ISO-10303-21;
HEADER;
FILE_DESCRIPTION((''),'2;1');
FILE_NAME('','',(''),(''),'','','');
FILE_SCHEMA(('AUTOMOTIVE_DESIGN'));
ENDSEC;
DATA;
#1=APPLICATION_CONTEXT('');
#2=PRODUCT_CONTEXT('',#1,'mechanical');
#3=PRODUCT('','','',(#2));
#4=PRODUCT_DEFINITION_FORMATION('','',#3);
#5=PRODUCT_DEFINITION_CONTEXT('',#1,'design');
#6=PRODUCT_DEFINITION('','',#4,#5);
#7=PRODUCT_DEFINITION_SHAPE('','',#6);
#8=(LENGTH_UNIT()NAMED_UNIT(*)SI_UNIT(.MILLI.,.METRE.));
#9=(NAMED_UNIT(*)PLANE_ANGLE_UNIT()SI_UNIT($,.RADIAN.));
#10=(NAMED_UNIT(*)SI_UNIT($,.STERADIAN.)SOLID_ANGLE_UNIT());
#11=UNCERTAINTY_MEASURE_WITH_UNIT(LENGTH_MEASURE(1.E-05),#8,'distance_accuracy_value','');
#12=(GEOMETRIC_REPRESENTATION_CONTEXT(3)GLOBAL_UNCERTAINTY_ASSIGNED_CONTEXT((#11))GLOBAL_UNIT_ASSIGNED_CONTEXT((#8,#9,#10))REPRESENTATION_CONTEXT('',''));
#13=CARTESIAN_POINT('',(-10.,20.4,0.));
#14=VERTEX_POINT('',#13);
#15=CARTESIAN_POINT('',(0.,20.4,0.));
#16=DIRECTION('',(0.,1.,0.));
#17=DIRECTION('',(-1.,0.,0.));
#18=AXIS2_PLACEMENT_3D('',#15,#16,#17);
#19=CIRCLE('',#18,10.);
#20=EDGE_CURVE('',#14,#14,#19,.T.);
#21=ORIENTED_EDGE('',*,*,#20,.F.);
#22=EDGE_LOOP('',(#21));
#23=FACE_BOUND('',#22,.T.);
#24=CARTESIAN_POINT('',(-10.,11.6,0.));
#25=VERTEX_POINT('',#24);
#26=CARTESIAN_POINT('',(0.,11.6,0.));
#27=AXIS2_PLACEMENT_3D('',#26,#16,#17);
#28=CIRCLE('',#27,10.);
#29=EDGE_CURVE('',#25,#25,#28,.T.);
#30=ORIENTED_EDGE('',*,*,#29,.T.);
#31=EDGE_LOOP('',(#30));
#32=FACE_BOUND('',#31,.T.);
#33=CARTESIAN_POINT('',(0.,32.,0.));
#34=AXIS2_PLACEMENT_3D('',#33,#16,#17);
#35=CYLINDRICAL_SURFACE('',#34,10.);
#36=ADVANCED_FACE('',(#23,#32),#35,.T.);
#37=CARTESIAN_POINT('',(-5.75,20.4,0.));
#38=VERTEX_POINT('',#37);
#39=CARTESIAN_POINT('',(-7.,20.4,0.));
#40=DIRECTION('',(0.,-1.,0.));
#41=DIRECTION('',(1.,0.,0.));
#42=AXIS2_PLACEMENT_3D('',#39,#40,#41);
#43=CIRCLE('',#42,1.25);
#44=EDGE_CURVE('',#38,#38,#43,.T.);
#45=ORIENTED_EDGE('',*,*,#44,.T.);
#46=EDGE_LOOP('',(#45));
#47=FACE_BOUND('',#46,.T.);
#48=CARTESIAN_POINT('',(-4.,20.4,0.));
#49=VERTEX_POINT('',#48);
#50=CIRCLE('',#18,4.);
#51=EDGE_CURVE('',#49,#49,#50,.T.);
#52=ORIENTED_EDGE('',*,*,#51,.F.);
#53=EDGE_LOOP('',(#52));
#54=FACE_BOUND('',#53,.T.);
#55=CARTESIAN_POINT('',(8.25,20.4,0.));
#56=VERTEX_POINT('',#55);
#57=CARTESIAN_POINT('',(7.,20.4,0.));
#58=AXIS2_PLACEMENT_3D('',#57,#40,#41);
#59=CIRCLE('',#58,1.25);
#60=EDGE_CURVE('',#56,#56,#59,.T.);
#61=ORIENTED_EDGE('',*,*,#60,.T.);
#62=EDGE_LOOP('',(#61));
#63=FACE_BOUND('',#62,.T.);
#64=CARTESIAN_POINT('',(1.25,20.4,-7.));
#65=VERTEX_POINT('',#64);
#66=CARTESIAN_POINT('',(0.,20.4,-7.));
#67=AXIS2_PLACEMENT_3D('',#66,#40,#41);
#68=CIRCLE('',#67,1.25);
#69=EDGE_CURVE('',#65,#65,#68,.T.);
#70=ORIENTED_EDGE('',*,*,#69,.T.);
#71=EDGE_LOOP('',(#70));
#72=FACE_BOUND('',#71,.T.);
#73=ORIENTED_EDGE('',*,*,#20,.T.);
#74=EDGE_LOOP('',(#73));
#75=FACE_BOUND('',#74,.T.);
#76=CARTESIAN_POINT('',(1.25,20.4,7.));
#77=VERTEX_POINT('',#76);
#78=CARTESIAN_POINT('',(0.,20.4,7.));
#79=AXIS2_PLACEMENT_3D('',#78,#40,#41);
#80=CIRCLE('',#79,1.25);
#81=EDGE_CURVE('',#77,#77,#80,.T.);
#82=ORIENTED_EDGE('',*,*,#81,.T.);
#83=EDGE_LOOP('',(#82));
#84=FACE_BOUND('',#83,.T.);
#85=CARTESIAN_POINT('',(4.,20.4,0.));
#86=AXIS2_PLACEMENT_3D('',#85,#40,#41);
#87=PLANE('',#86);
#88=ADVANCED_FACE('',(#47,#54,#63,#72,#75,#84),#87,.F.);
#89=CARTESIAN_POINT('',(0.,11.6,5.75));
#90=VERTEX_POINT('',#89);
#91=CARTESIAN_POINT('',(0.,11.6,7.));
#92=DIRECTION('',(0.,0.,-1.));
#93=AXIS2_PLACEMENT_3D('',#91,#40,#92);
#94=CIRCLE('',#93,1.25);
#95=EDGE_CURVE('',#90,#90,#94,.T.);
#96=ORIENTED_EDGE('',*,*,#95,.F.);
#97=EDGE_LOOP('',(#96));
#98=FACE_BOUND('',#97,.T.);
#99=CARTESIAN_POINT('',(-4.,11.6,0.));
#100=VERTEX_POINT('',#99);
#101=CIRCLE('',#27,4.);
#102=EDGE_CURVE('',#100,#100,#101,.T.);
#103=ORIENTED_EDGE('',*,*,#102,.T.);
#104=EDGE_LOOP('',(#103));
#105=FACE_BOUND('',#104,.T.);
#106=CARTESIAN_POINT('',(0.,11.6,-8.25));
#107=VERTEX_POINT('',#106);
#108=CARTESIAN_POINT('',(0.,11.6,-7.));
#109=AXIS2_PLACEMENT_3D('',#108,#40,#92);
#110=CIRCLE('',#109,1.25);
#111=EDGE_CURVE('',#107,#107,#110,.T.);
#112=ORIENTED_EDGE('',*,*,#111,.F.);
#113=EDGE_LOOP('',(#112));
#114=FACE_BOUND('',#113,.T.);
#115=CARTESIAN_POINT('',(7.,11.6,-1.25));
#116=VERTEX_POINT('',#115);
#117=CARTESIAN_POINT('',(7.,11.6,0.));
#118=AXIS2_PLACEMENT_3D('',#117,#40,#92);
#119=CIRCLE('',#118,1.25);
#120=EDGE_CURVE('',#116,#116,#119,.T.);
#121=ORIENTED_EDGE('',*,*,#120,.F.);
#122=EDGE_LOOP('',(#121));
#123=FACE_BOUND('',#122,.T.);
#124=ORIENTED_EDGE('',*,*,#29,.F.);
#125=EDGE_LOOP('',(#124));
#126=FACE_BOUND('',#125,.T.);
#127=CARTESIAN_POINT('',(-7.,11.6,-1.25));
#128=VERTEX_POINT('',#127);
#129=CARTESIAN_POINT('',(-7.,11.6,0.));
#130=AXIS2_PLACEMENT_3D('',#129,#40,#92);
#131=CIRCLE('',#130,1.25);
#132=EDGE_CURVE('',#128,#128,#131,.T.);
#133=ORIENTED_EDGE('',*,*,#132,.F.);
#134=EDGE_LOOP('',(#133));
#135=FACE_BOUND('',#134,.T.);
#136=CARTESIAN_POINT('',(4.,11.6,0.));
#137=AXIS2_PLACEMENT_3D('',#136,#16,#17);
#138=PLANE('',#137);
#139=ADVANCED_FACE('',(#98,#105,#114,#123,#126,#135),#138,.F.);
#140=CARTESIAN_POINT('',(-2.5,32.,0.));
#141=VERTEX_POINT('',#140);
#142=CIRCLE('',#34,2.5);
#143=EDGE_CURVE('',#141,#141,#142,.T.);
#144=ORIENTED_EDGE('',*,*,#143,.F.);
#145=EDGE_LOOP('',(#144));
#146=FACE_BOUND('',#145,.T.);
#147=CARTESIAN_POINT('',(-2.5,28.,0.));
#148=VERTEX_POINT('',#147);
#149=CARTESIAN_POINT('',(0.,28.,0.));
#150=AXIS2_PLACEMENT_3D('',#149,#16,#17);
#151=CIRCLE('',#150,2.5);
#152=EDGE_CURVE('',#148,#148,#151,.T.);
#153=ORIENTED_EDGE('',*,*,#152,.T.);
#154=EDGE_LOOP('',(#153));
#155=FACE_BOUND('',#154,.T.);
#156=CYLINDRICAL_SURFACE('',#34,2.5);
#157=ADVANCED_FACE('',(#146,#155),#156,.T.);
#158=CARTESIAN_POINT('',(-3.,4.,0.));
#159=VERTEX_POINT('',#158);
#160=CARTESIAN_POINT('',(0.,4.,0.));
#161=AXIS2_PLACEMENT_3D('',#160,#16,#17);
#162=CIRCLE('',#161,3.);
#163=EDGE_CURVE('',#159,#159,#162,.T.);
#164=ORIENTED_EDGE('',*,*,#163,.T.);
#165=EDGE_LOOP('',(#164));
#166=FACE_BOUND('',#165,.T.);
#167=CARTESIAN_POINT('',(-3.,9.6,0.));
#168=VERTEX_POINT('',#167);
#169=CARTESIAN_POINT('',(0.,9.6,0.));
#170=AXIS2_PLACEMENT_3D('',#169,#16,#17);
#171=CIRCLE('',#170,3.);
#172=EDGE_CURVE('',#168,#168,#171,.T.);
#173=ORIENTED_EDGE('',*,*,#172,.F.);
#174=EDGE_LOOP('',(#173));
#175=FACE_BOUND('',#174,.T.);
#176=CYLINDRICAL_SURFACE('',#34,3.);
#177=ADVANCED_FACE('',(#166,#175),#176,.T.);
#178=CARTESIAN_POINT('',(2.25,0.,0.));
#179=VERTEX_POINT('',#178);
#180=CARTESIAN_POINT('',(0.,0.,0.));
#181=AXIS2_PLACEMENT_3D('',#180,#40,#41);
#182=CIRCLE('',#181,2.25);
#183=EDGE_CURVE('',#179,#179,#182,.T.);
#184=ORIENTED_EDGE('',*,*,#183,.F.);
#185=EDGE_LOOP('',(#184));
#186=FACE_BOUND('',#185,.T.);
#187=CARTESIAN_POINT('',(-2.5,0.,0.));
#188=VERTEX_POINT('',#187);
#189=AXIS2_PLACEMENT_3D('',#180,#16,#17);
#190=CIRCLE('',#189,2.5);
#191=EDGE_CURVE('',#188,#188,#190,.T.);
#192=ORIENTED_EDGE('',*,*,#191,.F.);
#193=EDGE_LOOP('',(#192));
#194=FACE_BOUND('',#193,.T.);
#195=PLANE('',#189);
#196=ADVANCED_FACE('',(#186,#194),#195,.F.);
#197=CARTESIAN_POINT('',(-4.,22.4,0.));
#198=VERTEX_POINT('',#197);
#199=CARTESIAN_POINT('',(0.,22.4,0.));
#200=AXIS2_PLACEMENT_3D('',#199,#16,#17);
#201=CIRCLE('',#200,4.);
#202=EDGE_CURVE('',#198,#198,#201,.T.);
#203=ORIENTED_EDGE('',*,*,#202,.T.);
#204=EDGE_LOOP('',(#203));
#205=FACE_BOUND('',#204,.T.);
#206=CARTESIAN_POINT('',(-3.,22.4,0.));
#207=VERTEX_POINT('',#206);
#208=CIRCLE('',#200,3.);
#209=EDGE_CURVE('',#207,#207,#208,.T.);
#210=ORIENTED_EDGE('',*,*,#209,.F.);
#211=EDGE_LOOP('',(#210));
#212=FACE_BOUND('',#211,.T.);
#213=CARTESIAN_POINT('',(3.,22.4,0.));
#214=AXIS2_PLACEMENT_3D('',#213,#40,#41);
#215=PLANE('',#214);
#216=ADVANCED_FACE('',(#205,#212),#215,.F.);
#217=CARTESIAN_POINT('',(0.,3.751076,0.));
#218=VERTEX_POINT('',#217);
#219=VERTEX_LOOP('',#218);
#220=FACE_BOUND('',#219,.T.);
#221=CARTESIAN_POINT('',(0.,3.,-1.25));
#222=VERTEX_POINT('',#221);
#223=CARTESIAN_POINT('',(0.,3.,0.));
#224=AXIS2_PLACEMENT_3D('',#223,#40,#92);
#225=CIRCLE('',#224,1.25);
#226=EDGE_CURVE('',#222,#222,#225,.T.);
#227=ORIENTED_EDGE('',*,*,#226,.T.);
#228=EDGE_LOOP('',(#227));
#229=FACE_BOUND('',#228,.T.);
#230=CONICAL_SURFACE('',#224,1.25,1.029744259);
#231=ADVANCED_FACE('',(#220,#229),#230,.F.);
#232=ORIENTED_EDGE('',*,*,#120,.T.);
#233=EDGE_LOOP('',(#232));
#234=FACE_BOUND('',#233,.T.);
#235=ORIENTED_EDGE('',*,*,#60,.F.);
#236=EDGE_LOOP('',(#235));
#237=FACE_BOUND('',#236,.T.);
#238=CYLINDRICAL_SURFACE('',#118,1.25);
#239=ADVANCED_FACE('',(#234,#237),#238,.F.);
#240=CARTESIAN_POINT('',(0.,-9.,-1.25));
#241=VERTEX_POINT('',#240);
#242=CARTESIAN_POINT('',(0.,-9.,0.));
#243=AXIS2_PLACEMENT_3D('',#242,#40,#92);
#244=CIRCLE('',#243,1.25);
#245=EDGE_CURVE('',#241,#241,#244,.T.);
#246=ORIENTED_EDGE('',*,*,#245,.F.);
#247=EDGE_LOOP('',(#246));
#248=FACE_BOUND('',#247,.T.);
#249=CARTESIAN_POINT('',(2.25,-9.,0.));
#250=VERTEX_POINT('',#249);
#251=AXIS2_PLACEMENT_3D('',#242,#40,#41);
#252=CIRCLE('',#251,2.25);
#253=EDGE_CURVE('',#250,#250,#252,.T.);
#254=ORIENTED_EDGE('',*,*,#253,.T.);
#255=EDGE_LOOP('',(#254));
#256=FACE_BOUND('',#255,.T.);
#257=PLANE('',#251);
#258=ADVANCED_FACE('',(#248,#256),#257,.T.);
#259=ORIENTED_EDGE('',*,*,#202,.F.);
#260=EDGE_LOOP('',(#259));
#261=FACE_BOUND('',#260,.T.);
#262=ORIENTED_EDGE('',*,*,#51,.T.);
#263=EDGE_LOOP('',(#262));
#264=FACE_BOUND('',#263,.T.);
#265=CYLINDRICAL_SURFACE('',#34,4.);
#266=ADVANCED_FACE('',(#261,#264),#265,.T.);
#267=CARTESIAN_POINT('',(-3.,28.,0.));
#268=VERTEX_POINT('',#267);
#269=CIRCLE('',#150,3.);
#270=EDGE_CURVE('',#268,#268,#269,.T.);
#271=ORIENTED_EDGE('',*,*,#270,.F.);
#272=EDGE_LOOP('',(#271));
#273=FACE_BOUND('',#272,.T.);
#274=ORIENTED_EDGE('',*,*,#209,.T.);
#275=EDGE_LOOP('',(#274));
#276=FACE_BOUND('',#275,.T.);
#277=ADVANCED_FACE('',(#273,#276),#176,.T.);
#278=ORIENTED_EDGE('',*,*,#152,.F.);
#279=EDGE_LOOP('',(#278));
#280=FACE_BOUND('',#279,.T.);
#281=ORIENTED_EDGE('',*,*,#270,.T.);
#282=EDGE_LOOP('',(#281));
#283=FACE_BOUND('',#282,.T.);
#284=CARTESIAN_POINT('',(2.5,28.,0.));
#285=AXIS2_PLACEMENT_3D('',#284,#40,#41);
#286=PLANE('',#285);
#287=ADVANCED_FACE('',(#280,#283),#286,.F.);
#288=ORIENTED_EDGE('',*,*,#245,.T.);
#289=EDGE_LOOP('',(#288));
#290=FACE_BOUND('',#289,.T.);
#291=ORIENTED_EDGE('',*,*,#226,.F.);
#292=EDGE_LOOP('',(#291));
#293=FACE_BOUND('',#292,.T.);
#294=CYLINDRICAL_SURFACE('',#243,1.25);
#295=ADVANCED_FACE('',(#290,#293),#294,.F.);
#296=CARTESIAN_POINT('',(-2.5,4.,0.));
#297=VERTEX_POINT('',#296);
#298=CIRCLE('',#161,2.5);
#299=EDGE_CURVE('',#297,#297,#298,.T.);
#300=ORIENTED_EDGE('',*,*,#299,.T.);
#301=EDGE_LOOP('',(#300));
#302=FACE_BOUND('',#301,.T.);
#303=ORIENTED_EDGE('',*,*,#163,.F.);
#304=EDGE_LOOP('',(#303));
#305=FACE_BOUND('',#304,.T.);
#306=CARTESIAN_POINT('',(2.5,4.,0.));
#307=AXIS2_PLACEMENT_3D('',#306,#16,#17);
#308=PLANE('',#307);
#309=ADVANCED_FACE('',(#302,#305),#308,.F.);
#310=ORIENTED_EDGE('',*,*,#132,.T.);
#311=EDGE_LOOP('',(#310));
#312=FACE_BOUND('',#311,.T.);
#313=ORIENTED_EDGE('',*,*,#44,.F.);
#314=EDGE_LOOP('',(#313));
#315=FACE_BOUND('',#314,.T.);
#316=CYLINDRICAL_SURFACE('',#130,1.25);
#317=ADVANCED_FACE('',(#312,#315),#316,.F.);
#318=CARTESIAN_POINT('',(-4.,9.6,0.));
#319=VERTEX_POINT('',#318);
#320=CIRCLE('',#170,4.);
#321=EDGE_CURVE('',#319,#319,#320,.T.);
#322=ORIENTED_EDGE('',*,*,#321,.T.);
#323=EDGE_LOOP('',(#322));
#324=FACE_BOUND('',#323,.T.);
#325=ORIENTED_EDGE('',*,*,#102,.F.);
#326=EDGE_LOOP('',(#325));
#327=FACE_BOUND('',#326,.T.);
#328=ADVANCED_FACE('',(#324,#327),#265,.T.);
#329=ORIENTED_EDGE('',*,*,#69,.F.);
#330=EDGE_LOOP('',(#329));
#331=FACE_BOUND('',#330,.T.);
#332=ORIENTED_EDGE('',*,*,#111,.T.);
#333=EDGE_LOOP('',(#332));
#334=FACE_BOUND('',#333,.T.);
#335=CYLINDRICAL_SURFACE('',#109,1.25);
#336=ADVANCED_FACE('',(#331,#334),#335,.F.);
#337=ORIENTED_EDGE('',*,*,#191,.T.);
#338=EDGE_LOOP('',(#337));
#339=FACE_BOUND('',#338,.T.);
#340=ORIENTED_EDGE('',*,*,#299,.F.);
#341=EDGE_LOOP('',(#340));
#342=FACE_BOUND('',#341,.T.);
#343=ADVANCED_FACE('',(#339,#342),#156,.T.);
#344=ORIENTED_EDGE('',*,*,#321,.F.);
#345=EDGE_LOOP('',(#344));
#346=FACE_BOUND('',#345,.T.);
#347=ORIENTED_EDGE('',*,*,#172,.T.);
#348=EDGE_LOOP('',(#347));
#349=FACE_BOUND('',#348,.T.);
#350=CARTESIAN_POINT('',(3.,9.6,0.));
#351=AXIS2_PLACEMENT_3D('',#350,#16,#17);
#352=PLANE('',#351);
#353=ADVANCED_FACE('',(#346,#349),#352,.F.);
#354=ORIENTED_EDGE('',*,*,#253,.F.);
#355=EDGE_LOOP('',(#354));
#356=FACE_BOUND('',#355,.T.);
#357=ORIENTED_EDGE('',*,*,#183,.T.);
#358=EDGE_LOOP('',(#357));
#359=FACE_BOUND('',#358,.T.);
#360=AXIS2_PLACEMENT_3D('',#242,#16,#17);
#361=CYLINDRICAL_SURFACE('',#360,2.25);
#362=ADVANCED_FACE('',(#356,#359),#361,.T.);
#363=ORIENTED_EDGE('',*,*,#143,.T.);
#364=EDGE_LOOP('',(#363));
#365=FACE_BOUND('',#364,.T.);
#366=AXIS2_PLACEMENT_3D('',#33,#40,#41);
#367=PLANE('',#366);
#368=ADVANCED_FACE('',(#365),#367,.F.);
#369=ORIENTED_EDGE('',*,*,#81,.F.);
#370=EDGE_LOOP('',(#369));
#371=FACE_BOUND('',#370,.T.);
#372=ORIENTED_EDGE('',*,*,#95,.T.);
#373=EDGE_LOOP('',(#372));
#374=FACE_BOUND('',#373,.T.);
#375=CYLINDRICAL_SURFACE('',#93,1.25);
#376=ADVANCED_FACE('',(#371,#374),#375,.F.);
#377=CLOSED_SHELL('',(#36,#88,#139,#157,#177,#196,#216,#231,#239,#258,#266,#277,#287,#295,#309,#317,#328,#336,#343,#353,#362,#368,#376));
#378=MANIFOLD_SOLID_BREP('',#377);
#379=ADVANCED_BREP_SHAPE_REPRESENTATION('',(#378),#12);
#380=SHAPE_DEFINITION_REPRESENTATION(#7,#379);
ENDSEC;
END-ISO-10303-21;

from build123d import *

# Parameters (mm, degrees)
HOLE_WIZARD_M3_1_D       = 2.5
PATTERN_CIRCULAR_1_COUNT = 4
SKETCH_5_R               = 2.25
EXTRUDE_1_DEPTH          = 9
HOLE_WIZARD_M3_2_D       = 2.5
HOLE_WIZARD_M3_2_DEPTH   = 12
HOLE_WIZARD_M3_2_TIP     = 0.751075774


with BuildPart() as part:
    # Model → 旋转1 (revolve)
    with BuildSketch(Plane.XY, mode=Mode.PRIVATE) as revolve_1_sk:
        Polygon((0, 32), (0, 0), (2.5, 0), (2.5, 4), (3, 4), (3, 9.6), (4, 9.6), (4, 11.6), (10, 11.6), (10, 20.4), (4, 20.4), (4, 22.4), (3, 22.4), (3, 28), (2.5, 28), (2.5, 32), align=None)
    revolve(revolve_1_sk.sketch.rotate(Axis((0, 32, 0), (0, -1, 0)), 180), axis=Axis((0, 32, 0), (0, -1, 0)))

    # M3 螺纹孔1 (through all)
    with Locations(Plane(origin=(0, 11.6, 7), x_dir=(-1, 0, 0), z_dir=(0, -1, 0))):
        with Locations((0, 0)):
            hole_wizard_m3_1 = Hole(HOLE_WIZARD_M3_1_D / 2)

    # 阵列(圆周)1: M3 螺纹孔1 ×4 about axis
    pattern_circular_1_axis = Axis((0, 0, 0), (0, 1, 0))
    for i in range(1, PATTERN_CIRCULAR_1_COUNT):
        add(hole_wizard_m3_1.rotate(pattern_circular_1_axis, i * 360 / PATTERN_CIRCULAR_1_COUNT), mode=Mode.SUBTRACT)

    # 草图5 → 凸台-拉伸1 (add)
    with BuildSketch(Plane.XZ):
        Circle(SKETCH_5_R)
    extrude(amount=EXTRUDE_1_DEPTH)

    # M3 螺纹孔2
    with Locations(Plane(origin=(0, -9, 0), x_dir=(-1, 0, 0), z_dir=(0, -1, 0))):
        with Locations((0, 0)):
            Hole(HOLE_WIZARD_M3_2_D / 2, depth=HOLE_WIZARD_M3_2_DEPTH)
            with Locations((0, 0, -(HOLE_WIZARD_M3_2_DEPTH + HOLE_WIZARD_M3_2_TIP / 2))):  # 118° drill point
                Cone(0, HOLE_WIZARD_M3_2_D / 2, HOLE_WIZARD_M3_2_TIP, mode=Mode.SUBTRACT)


solid = part.part
